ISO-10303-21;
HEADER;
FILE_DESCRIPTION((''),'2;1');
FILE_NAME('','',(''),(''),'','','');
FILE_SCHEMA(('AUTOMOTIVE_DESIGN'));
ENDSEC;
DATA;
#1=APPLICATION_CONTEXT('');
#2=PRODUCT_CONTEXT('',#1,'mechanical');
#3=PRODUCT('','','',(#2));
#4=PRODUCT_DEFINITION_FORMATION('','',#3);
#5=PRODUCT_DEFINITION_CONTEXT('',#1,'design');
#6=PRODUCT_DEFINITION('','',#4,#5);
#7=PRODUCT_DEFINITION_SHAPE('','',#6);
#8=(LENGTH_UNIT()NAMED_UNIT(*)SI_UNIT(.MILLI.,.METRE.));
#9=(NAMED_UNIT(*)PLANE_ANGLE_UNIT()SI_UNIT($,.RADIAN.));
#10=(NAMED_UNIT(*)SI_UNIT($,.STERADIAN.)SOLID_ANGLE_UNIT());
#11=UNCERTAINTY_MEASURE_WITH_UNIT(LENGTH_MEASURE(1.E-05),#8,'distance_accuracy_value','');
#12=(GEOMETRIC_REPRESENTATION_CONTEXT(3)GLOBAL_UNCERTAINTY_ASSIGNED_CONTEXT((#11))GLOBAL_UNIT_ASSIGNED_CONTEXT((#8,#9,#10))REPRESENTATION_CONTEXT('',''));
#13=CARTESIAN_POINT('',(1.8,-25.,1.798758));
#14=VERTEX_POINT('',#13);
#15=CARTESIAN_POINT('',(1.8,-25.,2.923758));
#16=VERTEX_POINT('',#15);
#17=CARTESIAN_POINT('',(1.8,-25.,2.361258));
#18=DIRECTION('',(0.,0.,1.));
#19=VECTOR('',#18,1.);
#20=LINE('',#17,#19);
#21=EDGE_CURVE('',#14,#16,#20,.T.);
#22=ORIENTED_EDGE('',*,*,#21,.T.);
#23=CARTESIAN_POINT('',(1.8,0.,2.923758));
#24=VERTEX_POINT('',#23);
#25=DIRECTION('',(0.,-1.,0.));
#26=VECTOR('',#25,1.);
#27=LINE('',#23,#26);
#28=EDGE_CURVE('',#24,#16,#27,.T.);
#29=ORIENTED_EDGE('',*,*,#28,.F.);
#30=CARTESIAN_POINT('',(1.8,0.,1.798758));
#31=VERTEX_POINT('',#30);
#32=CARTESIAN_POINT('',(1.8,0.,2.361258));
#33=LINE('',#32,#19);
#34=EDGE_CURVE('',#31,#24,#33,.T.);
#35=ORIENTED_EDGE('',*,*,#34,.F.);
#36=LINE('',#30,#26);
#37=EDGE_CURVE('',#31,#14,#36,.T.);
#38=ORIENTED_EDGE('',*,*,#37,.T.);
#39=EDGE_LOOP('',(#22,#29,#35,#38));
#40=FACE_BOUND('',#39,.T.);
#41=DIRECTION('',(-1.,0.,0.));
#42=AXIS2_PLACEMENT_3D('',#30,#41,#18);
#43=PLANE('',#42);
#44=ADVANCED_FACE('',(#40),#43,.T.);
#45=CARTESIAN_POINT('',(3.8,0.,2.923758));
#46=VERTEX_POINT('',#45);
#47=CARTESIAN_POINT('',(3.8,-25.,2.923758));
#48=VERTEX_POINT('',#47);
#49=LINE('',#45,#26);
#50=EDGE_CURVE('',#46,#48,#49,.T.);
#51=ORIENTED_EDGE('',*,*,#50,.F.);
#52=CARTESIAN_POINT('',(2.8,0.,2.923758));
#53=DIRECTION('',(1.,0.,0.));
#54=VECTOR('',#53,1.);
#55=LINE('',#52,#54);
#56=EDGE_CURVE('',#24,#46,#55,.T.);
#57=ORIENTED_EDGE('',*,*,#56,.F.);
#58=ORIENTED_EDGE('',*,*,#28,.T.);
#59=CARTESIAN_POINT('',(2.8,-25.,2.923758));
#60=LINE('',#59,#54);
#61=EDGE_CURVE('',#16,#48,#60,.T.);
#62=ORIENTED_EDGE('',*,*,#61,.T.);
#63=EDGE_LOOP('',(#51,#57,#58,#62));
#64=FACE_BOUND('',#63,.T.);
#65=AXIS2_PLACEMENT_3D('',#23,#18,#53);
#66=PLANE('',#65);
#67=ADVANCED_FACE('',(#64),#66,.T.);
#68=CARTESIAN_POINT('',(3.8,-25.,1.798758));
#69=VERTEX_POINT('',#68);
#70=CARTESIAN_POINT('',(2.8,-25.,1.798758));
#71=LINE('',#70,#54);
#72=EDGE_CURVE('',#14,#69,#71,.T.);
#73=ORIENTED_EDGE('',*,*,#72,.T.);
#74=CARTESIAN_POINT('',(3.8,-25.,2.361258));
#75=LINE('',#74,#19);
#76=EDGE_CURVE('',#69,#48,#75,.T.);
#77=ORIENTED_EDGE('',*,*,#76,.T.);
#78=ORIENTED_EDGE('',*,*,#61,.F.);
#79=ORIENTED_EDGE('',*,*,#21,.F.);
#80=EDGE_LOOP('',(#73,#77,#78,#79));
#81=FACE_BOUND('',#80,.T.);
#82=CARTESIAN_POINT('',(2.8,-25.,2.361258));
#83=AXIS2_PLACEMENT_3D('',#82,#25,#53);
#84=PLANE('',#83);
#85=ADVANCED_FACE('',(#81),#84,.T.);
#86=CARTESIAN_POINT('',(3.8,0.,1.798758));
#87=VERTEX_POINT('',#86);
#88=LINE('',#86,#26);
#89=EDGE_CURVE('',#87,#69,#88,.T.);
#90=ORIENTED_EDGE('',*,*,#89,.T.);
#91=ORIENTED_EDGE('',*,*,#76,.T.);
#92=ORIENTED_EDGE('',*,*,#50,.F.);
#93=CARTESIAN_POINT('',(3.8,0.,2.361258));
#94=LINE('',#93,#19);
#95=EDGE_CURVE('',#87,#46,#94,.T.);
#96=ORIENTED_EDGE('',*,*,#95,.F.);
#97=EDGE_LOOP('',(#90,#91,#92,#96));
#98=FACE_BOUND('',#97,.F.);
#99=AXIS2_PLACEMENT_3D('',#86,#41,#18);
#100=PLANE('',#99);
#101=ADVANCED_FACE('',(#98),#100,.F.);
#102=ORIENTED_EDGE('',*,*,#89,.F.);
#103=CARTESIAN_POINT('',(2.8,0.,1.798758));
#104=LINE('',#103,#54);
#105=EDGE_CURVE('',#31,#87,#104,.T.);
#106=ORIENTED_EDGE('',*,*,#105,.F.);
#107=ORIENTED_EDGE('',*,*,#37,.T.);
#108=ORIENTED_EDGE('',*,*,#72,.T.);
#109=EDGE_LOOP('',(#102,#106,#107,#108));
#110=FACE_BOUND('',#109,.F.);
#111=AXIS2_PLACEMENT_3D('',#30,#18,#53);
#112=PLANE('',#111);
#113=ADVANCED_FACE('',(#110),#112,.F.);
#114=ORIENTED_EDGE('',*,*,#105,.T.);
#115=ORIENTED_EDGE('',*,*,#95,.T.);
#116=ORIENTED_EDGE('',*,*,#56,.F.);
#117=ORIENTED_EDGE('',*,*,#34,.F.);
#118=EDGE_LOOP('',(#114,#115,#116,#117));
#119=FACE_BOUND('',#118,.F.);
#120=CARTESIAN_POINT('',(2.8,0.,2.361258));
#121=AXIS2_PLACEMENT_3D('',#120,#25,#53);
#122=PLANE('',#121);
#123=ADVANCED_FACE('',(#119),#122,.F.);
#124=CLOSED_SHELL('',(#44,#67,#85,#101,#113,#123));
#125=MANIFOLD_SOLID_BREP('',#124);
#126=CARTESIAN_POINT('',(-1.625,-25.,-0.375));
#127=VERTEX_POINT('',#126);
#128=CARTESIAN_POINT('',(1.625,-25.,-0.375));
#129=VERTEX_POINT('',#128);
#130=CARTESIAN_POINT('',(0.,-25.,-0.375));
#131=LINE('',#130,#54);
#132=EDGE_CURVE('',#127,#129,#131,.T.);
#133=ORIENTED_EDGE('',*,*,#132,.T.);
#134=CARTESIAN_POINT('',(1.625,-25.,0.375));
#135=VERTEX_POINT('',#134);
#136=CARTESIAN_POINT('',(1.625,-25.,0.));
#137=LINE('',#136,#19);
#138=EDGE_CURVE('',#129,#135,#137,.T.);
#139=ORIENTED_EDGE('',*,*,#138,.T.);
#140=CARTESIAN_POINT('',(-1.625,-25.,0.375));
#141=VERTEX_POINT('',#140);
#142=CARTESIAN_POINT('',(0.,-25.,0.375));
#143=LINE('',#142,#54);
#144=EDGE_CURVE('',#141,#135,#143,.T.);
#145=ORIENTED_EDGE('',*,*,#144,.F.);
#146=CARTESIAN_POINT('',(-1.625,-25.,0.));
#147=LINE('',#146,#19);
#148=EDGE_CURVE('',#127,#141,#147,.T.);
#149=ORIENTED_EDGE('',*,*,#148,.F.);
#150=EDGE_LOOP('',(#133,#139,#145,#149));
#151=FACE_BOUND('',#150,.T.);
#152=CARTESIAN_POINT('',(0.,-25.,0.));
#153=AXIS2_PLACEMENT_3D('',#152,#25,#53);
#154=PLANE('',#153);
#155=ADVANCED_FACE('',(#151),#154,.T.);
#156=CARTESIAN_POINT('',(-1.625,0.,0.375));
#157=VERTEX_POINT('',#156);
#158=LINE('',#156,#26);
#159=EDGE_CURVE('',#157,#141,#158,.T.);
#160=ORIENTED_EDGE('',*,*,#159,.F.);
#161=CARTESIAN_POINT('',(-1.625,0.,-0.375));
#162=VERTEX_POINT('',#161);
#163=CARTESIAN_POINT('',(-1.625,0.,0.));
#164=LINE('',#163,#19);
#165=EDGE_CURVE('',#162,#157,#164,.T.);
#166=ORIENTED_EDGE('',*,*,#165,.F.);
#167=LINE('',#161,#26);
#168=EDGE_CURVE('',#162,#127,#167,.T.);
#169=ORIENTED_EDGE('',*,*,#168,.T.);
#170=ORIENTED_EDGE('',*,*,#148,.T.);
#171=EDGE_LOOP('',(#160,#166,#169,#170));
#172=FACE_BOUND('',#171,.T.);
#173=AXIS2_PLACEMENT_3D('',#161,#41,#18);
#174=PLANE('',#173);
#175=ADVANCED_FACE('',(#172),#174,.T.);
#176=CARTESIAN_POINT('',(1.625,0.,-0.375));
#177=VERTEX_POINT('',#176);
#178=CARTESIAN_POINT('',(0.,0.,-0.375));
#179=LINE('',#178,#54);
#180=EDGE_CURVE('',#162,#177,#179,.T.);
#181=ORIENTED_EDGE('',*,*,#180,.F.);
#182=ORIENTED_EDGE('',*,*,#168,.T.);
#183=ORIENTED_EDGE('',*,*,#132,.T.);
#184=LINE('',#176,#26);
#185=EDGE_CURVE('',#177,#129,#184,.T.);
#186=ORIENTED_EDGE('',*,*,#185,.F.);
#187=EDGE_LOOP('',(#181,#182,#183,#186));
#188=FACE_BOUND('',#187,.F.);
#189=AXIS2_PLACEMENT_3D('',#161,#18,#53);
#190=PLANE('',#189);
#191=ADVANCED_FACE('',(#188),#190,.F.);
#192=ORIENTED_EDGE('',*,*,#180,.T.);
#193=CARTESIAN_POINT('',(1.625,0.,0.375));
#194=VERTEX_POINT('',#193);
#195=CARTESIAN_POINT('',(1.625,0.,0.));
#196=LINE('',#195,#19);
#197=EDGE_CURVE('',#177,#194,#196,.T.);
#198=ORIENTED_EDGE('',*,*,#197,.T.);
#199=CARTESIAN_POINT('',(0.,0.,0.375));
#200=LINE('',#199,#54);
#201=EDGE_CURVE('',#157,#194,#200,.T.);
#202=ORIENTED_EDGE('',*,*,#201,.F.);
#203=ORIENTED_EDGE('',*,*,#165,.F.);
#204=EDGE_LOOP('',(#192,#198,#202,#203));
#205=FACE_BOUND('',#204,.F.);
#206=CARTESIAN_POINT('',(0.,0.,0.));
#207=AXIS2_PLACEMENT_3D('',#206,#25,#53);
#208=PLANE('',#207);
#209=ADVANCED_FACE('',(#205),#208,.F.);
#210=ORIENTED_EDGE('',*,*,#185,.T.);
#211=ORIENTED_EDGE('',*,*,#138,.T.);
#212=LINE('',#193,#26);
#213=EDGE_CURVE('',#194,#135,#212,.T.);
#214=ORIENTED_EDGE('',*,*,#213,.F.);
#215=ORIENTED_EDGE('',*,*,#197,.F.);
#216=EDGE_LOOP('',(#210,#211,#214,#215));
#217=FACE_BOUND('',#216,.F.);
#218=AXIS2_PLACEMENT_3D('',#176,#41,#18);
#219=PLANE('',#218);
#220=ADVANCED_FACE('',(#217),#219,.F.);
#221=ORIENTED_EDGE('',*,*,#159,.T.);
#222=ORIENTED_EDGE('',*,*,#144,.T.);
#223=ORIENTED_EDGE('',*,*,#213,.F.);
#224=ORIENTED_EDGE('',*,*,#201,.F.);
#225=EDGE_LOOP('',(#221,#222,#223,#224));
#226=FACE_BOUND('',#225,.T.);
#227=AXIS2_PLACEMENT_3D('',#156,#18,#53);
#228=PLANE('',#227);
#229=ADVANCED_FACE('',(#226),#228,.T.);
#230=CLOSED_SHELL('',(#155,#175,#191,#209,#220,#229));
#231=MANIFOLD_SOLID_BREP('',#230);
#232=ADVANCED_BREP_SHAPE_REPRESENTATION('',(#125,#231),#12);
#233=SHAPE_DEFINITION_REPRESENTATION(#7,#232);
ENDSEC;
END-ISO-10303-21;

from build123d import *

# Parameters (mm, degrees)
F0_W     = 3.25
F0_H     = 0.75
F0_W_2   = 2
F0_H_2   = 1.125
F1_DEPTH = 25


with BuildPart() as f1:
    # F0 (on Front) → F1 (new body)
    with BuildSketch(Plane.XZ):
        Rectangle(F0_W, F0_H)
        with Locations((2.8, 2.361258)):
            Rectangle(F0_W_2, F0_H_2)
    extrude(amount=F1_DEPTH)


solid = f1.part
